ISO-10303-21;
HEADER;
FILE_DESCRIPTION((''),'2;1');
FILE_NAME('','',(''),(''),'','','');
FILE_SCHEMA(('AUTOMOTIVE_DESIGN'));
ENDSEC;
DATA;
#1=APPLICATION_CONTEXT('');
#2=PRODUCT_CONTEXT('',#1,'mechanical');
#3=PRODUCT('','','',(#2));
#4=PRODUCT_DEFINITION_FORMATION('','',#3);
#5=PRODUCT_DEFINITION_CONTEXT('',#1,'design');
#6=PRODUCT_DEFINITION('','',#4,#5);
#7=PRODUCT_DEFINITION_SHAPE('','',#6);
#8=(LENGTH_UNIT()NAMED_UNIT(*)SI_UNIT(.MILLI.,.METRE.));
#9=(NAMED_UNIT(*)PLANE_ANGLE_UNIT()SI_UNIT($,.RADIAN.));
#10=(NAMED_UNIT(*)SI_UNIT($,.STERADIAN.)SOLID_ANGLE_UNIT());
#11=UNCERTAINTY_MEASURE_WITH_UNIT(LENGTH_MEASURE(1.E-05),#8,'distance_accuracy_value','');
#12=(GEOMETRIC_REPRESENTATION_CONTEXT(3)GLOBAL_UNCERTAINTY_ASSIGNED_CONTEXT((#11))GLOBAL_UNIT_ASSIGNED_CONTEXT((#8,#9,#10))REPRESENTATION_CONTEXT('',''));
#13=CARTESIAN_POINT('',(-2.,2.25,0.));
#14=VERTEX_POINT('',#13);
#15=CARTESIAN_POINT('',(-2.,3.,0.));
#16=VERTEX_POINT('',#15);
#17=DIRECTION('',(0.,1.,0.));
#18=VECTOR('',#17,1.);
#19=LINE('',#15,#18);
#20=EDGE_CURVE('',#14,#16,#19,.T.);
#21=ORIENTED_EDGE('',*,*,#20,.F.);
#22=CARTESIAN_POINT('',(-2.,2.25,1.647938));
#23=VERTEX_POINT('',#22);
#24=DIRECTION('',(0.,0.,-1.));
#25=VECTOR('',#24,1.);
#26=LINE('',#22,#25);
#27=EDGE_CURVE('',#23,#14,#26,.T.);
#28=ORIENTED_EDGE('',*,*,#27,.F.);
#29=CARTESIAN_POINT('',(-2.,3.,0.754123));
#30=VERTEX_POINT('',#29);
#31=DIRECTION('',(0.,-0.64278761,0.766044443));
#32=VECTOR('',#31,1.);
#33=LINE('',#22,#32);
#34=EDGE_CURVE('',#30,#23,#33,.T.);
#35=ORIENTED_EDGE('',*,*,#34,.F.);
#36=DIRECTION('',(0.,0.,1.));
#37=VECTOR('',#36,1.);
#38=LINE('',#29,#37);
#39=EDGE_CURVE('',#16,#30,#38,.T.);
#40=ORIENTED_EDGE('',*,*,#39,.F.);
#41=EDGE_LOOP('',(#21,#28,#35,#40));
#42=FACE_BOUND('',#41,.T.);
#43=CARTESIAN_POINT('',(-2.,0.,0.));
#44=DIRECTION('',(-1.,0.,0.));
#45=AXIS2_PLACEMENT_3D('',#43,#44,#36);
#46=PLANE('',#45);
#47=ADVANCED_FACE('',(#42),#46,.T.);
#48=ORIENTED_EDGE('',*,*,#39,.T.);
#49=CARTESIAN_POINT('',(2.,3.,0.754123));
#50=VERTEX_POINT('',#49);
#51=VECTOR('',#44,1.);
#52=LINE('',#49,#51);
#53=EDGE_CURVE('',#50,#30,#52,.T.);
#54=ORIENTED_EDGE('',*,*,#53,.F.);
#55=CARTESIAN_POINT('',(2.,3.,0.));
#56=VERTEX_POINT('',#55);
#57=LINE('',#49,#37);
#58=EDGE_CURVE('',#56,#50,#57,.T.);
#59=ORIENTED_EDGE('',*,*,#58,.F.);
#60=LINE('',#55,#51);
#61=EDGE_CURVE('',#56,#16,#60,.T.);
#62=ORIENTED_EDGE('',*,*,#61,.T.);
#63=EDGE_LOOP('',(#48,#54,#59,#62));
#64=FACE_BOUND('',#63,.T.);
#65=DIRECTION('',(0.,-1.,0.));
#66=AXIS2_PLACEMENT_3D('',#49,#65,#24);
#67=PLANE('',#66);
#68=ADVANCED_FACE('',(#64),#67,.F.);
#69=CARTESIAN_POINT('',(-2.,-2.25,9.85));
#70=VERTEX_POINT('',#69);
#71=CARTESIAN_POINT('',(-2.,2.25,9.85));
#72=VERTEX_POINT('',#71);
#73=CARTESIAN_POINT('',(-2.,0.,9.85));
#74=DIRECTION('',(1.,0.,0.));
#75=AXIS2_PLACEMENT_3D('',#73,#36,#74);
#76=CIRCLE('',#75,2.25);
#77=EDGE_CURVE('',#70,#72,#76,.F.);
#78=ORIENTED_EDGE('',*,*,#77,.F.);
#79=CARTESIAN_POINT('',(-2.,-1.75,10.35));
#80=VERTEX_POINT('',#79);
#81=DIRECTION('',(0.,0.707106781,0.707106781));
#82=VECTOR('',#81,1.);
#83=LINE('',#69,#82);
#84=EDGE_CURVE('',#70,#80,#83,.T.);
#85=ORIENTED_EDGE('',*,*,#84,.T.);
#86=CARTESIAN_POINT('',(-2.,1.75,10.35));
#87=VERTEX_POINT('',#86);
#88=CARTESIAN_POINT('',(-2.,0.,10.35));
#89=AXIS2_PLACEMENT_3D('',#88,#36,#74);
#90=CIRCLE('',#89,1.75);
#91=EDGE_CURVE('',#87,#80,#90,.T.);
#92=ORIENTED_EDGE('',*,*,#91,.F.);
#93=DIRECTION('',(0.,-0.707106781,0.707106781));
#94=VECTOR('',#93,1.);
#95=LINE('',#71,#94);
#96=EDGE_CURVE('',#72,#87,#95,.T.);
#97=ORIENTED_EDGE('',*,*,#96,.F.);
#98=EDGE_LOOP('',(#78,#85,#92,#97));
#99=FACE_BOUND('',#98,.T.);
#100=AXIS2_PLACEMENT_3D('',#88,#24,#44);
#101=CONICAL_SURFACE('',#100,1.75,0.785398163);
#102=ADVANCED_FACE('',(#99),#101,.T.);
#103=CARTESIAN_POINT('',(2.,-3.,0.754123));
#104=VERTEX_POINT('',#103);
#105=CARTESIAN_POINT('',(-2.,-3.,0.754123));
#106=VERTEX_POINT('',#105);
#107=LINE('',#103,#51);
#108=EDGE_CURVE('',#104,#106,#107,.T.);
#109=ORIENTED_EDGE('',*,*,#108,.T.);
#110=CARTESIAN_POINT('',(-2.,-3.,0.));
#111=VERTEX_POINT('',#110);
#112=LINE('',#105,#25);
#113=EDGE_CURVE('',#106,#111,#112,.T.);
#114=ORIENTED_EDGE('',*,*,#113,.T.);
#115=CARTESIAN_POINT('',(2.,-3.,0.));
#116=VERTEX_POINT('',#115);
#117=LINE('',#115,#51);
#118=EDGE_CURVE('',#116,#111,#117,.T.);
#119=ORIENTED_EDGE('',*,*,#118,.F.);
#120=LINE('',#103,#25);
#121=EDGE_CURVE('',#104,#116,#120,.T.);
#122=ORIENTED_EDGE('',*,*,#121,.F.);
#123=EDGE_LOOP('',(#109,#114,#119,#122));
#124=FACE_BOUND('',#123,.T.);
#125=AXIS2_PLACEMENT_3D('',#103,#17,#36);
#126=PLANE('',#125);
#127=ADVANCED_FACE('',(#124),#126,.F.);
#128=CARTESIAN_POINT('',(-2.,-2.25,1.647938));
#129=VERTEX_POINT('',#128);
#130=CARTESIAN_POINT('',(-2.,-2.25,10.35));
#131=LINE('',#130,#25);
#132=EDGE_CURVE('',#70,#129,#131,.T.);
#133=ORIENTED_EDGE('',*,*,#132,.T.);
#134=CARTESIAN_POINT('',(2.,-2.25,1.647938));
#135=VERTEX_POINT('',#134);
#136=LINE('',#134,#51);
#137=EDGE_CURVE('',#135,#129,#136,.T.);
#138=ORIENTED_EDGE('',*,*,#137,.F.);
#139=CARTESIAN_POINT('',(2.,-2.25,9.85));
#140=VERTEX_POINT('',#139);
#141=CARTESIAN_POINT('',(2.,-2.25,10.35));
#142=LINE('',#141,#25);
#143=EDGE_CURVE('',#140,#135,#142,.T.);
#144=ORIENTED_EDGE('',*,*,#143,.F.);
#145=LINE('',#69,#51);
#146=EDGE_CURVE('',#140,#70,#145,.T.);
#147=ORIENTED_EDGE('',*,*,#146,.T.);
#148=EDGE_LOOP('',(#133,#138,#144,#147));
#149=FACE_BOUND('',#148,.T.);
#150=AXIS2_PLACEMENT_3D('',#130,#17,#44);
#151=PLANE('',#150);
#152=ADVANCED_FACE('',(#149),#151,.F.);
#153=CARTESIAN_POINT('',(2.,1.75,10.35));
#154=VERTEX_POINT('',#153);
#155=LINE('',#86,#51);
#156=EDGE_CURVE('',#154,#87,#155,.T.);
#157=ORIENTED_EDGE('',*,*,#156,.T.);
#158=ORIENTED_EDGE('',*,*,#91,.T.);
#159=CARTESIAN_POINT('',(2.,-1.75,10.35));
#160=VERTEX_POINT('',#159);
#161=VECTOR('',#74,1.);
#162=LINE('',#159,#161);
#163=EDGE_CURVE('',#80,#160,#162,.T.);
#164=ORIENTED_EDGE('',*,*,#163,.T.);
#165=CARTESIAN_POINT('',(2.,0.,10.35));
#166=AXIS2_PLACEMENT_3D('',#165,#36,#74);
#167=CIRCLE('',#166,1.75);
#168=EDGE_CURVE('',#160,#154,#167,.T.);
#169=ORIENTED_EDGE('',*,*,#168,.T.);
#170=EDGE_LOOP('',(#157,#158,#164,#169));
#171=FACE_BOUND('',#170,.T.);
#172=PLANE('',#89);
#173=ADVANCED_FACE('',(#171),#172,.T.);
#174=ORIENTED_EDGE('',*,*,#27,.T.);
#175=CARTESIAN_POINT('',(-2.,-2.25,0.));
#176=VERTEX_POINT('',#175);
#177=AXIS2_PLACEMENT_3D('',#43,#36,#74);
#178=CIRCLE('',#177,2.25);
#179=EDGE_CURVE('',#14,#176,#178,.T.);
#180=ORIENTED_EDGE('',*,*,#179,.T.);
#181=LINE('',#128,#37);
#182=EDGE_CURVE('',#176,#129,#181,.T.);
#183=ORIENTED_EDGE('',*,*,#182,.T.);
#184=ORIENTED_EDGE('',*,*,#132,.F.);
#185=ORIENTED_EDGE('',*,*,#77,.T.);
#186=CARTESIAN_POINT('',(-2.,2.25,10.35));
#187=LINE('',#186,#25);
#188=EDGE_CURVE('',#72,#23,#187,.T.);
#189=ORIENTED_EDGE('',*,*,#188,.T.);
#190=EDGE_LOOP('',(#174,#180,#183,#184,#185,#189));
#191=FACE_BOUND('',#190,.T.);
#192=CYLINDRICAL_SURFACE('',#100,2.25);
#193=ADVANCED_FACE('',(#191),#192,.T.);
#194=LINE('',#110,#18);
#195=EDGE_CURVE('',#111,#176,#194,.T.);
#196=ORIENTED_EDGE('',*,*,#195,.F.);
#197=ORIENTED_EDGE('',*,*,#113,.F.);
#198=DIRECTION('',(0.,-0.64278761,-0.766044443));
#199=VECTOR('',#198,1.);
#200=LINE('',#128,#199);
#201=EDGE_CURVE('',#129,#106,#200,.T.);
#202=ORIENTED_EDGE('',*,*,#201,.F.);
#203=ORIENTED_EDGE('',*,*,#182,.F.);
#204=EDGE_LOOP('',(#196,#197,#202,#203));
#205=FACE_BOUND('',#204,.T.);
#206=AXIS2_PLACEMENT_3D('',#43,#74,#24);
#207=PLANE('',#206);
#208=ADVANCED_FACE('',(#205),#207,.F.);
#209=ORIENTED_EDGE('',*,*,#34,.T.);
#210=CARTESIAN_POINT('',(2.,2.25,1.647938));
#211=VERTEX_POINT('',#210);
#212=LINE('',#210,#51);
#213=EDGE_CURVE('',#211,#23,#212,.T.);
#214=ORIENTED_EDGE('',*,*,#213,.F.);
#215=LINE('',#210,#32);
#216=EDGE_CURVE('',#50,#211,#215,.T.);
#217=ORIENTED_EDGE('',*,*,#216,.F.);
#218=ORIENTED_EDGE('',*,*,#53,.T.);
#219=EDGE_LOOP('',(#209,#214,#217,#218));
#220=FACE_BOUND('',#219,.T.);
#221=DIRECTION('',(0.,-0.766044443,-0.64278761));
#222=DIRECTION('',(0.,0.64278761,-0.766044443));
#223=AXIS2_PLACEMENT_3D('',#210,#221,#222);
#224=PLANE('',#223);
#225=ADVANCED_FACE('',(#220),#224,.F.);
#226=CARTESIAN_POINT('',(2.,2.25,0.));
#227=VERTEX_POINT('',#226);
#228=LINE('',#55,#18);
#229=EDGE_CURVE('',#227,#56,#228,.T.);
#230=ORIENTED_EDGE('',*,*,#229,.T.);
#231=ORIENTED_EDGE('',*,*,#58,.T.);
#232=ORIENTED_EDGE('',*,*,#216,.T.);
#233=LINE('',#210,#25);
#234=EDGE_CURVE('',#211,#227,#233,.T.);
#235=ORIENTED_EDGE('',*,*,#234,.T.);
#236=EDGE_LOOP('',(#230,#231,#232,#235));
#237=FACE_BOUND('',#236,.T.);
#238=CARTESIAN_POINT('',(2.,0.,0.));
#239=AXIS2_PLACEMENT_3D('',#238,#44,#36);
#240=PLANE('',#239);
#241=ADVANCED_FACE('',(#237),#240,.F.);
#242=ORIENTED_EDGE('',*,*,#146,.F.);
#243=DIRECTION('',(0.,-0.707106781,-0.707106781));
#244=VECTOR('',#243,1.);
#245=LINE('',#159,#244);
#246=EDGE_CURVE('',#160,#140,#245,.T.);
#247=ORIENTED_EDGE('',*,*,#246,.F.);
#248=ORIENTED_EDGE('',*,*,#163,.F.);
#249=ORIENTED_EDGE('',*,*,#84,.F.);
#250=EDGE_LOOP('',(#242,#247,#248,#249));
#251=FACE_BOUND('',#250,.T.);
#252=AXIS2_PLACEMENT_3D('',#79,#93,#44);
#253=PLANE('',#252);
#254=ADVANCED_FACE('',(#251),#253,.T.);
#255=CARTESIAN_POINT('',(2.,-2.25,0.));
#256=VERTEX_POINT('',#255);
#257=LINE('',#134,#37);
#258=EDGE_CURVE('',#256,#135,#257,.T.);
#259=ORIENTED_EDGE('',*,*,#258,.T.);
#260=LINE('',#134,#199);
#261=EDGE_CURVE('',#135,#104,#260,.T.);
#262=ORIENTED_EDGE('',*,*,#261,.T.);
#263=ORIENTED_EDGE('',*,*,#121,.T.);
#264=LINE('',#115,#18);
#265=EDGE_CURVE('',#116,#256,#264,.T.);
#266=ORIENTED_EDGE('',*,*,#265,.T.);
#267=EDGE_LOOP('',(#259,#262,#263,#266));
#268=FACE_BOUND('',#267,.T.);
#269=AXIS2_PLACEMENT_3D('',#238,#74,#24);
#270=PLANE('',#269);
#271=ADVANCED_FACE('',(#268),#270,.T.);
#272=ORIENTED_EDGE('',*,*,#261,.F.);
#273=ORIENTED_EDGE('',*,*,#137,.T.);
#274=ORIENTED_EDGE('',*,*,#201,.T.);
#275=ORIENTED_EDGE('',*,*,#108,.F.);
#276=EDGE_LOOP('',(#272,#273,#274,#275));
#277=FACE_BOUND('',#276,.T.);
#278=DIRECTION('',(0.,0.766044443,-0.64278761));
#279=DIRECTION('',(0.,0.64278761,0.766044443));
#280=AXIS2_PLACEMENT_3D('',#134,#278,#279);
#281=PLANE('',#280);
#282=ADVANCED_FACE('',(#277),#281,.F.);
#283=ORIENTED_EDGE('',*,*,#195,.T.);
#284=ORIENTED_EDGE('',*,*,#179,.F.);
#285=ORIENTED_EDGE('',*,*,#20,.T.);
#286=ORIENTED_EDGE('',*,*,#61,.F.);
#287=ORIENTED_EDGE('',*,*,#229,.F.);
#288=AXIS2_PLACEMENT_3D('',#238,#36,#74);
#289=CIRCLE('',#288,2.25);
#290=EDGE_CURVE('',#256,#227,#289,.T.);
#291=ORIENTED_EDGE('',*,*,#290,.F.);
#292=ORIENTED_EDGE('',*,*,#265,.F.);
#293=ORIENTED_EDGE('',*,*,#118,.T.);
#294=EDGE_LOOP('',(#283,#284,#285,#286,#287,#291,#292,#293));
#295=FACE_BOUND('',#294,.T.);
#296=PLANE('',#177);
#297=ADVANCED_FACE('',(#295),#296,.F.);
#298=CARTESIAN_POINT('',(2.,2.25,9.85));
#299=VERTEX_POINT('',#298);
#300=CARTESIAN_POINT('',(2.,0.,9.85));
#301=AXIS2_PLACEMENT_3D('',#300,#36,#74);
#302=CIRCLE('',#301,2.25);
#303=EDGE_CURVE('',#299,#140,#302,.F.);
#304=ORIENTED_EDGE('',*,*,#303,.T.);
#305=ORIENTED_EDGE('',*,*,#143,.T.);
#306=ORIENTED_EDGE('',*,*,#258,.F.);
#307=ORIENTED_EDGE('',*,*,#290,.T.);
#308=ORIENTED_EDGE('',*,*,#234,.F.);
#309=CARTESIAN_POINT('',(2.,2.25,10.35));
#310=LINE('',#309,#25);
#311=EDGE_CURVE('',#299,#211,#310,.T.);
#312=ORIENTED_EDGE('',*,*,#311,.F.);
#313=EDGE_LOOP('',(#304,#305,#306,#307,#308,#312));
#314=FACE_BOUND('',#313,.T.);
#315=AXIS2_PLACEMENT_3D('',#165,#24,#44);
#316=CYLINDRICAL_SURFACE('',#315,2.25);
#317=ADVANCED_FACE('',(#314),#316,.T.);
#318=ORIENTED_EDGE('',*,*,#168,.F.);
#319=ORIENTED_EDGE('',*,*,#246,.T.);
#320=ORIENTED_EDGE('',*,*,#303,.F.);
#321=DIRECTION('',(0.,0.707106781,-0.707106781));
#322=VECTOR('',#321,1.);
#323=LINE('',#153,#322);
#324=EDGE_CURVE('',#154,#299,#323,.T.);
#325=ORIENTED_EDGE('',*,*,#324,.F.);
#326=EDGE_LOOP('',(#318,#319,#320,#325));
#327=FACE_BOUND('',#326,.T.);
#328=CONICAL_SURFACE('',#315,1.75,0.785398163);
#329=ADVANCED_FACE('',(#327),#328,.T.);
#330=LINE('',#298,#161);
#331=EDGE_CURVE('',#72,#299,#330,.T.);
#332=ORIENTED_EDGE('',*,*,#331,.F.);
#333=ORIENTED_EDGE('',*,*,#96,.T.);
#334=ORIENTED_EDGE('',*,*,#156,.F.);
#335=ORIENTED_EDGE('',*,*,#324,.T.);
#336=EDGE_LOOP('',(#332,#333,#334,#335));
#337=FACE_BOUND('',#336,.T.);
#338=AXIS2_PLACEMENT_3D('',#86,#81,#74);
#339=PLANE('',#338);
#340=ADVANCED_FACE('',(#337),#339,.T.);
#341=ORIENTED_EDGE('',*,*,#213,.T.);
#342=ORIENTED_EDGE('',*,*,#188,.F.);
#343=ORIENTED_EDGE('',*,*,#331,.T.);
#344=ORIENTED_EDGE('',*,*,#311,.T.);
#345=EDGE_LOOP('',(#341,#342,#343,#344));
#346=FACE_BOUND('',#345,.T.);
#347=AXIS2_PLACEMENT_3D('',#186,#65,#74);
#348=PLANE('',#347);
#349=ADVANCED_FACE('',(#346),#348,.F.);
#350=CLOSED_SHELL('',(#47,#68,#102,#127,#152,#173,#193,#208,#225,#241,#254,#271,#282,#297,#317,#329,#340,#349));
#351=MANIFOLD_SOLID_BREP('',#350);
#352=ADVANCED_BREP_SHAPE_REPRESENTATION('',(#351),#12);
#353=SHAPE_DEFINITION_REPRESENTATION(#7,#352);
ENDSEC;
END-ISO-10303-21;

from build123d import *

# Parameters (mm, degrees)
BOSS_EXTRUDE1_DEPTH      = 10.35
BOSS_EXTRUDE2_DEPTH      = 2
BOSS_EXTRUDE2_DEPTH_BACK = 2
CHAMFER1_SIZE            = 0.5


with BuildPart() as part:
    # Sketch2 → Boss-Extrude1 (new body)
    with BuildSketch(Plane.XY):
        with BuildLine():
            Line((-2, 2.25), (2, 2.25))
            ThreePointArc((2, 2.25), (4.25, 0), (2, -2.25))
            Line((2, -2.25), (-2, -2.25))
            ThreePointArc((-2, -2.25), (-4.25, 0), (-2, 2.25))
        make_face()
    extrude(amount=BOSS_EXTRUDE1_DEPTH)

    # Sketch5 → Boss-Extrude2 (add, two sides)
    with BuildSketch(Plane(origin=(0, 0, 0), x_dir=(0, 0, -1), z_dir=(1, 0, 0))) as boss_extrude2_sk:
        Polygon((-1.647938398, 2.25), (-0.754123204, 3), (0, 3), (0, 2.25), align=None)
        Polygon((-1.647938398, -2.25), (0, -2.25), (0, -3), (-0.754123204, -3), align=None)
    extrude(amount=BOSS_EXTRUDE2_DEPTH)
    extrude(boss_extrude2_sk.sketch, amount=-BOSS_EXTRUDE2_DEPTH_BACK)

    # Chamfer1
    chamfer1_edges = [part.edges().sort_by_distance(p)[0] for p in [
        (4.25, 0, 10.35),
        (0, 2.25, 10.35),
        (-4.25, 0, 10.35),
        (0, -2.25, 10.35),
    ]]
    chamfer(chamfer1_edges, length=CHAMFER1_SIZE)


solid = part.part
